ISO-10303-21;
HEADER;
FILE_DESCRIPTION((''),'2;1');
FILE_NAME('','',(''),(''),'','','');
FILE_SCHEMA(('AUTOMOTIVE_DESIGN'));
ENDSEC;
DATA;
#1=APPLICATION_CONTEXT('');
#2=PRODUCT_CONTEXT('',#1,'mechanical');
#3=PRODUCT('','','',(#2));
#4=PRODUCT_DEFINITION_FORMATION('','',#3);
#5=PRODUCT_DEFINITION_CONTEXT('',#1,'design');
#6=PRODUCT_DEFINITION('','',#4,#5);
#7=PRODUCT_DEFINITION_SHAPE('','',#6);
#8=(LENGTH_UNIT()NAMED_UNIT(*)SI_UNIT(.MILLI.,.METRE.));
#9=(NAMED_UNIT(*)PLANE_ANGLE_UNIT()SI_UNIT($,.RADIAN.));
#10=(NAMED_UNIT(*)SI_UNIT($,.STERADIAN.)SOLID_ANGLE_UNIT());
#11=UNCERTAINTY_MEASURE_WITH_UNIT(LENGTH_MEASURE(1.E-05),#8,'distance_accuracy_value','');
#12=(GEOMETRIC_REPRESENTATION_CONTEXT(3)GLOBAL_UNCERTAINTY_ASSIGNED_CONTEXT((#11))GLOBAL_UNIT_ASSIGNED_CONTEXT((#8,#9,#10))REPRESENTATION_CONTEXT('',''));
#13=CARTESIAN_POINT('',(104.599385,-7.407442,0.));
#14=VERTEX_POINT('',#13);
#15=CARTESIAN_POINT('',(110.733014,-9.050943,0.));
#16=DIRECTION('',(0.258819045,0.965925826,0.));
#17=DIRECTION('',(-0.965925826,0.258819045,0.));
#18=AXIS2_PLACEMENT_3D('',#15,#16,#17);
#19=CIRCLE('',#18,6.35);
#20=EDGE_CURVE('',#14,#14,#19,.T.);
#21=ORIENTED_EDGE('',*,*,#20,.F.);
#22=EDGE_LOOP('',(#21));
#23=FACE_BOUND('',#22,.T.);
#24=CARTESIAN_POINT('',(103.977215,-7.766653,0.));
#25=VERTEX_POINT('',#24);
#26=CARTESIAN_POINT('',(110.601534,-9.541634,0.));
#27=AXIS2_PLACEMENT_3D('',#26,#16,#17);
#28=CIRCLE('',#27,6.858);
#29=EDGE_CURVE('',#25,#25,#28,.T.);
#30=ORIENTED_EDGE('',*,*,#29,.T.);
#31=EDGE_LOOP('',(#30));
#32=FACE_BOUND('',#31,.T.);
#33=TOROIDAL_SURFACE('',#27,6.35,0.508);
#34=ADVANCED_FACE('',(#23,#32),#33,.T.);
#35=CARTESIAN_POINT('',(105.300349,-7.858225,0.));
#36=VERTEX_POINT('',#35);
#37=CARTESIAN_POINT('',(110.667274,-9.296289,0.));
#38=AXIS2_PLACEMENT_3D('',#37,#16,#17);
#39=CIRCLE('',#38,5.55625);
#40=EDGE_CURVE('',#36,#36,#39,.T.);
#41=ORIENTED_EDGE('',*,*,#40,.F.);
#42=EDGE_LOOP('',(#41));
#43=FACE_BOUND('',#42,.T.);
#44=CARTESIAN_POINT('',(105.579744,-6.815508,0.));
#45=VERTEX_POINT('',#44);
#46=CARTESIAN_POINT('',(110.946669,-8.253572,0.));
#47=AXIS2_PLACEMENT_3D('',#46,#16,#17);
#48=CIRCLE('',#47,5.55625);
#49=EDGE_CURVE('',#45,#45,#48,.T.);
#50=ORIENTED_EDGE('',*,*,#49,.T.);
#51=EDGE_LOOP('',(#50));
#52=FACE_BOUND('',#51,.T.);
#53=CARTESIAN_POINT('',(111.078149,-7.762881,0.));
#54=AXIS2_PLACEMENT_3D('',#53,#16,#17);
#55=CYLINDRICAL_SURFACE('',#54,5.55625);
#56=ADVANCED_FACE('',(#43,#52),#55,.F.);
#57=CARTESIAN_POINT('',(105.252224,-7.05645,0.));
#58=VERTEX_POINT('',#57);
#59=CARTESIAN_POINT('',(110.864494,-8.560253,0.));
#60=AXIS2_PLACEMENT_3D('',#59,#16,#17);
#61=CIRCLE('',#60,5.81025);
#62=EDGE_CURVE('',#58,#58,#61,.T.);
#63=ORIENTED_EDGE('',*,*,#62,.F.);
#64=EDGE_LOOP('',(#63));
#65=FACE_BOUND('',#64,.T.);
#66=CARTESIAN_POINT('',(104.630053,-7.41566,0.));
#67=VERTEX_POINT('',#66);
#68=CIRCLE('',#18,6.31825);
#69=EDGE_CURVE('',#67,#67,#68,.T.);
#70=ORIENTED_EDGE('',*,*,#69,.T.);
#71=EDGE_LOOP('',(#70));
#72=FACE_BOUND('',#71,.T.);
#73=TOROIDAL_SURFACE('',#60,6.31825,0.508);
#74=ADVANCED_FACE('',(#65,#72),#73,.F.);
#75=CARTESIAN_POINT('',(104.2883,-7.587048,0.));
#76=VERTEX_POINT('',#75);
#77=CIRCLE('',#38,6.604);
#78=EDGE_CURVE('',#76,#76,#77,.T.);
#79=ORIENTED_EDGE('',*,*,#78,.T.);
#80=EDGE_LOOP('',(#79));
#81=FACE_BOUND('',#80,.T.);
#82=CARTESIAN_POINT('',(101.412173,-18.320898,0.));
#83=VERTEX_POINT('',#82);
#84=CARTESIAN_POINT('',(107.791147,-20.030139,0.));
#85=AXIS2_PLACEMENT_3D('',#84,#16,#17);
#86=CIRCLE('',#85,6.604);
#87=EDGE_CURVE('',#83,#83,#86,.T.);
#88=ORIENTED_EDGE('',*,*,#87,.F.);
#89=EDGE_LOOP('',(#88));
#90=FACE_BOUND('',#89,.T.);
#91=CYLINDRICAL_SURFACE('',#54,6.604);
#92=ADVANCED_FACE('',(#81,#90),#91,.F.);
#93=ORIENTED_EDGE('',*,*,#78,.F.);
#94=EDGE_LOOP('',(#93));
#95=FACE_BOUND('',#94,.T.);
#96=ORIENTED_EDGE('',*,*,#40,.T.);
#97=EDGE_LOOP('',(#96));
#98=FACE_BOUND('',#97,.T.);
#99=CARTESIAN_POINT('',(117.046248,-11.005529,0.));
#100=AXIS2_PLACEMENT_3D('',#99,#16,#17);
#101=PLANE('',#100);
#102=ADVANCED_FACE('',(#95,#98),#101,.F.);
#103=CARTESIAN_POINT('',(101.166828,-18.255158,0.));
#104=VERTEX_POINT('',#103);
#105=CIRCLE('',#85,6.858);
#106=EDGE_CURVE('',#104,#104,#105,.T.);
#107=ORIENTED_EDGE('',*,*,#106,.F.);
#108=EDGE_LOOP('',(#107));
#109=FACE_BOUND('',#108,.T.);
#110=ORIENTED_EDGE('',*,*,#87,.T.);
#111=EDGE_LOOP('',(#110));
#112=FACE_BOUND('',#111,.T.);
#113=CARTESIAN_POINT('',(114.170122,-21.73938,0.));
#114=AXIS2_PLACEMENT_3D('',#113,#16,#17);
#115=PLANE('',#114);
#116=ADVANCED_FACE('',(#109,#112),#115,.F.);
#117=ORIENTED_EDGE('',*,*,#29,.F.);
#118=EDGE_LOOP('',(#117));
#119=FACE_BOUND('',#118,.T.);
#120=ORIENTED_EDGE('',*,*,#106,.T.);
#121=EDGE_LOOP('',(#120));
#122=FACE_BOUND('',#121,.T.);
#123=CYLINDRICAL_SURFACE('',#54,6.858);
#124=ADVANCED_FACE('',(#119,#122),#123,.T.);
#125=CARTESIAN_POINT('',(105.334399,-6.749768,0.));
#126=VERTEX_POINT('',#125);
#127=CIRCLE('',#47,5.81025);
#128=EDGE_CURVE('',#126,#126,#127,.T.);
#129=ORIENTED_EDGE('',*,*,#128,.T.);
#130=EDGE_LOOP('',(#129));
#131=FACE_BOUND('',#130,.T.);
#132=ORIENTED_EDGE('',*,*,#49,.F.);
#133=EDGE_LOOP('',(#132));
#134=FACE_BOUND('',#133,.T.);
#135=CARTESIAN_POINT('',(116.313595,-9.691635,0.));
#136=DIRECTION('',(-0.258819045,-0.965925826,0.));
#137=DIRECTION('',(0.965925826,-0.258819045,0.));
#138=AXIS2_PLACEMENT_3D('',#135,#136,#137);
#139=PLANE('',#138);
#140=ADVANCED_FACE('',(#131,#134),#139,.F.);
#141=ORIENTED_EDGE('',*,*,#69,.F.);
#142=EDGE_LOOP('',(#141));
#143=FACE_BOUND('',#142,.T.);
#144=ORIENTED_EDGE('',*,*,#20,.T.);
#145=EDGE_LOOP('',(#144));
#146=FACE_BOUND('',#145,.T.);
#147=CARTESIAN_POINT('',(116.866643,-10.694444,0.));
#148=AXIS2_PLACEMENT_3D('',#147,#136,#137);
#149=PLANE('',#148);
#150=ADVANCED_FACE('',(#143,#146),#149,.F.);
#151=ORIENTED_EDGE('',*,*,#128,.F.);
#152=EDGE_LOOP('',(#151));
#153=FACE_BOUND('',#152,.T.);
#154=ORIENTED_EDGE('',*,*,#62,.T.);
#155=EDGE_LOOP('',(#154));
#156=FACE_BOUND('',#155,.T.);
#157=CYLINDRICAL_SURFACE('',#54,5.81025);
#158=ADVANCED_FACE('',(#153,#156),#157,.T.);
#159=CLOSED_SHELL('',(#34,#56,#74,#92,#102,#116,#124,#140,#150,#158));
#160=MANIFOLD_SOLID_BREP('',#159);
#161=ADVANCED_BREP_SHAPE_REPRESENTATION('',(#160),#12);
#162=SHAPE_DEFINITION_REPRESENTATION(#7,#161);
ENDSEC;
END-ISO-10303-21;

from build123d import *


with BuildPart() as part:
    # Sketch1 → Revolve1 (revolve)
    with BuildSketch(Plane.XY):
        with BuildLine():
            Line((114.170121614, -21.739380235), (117.046248252, -11.00552949))
            Line((117.046248252, -11.00552949), (116.034199468, -10.734351836))
            Line((116.034199468, -10.734351836), (116.313594627, -9.691634906))
            Line((116.313594627, -9.691634906), (116.558939787, -9.757374944))
            Line((116.558939787, -9.757374944), (116.47676474, -10.064056394))
            ThreePointArc((116.47676474, -10.064056394), (116.527514155, -10.449536469), (116.835974985, -10.686226788))
            Line((116.835974985, -10.686226788), (116.86664313, -10.694444293))
            ThreePointArc((116.86664313, -10.694444293), (117.17510396, -10.931134613), (117.225853375, -11.316614688))
            Line((117.225853375, -11.316614688), (114.415466774, -21.805120272))
            Line((114.415466774, -21.805120272), (114.170121614, -21.739380235))
        make_face()
    revolve(axis=Axis((111.07814933, -7.762881267, 0), (-0.258819045, -0.965925826, 0)))


solid = part.part
